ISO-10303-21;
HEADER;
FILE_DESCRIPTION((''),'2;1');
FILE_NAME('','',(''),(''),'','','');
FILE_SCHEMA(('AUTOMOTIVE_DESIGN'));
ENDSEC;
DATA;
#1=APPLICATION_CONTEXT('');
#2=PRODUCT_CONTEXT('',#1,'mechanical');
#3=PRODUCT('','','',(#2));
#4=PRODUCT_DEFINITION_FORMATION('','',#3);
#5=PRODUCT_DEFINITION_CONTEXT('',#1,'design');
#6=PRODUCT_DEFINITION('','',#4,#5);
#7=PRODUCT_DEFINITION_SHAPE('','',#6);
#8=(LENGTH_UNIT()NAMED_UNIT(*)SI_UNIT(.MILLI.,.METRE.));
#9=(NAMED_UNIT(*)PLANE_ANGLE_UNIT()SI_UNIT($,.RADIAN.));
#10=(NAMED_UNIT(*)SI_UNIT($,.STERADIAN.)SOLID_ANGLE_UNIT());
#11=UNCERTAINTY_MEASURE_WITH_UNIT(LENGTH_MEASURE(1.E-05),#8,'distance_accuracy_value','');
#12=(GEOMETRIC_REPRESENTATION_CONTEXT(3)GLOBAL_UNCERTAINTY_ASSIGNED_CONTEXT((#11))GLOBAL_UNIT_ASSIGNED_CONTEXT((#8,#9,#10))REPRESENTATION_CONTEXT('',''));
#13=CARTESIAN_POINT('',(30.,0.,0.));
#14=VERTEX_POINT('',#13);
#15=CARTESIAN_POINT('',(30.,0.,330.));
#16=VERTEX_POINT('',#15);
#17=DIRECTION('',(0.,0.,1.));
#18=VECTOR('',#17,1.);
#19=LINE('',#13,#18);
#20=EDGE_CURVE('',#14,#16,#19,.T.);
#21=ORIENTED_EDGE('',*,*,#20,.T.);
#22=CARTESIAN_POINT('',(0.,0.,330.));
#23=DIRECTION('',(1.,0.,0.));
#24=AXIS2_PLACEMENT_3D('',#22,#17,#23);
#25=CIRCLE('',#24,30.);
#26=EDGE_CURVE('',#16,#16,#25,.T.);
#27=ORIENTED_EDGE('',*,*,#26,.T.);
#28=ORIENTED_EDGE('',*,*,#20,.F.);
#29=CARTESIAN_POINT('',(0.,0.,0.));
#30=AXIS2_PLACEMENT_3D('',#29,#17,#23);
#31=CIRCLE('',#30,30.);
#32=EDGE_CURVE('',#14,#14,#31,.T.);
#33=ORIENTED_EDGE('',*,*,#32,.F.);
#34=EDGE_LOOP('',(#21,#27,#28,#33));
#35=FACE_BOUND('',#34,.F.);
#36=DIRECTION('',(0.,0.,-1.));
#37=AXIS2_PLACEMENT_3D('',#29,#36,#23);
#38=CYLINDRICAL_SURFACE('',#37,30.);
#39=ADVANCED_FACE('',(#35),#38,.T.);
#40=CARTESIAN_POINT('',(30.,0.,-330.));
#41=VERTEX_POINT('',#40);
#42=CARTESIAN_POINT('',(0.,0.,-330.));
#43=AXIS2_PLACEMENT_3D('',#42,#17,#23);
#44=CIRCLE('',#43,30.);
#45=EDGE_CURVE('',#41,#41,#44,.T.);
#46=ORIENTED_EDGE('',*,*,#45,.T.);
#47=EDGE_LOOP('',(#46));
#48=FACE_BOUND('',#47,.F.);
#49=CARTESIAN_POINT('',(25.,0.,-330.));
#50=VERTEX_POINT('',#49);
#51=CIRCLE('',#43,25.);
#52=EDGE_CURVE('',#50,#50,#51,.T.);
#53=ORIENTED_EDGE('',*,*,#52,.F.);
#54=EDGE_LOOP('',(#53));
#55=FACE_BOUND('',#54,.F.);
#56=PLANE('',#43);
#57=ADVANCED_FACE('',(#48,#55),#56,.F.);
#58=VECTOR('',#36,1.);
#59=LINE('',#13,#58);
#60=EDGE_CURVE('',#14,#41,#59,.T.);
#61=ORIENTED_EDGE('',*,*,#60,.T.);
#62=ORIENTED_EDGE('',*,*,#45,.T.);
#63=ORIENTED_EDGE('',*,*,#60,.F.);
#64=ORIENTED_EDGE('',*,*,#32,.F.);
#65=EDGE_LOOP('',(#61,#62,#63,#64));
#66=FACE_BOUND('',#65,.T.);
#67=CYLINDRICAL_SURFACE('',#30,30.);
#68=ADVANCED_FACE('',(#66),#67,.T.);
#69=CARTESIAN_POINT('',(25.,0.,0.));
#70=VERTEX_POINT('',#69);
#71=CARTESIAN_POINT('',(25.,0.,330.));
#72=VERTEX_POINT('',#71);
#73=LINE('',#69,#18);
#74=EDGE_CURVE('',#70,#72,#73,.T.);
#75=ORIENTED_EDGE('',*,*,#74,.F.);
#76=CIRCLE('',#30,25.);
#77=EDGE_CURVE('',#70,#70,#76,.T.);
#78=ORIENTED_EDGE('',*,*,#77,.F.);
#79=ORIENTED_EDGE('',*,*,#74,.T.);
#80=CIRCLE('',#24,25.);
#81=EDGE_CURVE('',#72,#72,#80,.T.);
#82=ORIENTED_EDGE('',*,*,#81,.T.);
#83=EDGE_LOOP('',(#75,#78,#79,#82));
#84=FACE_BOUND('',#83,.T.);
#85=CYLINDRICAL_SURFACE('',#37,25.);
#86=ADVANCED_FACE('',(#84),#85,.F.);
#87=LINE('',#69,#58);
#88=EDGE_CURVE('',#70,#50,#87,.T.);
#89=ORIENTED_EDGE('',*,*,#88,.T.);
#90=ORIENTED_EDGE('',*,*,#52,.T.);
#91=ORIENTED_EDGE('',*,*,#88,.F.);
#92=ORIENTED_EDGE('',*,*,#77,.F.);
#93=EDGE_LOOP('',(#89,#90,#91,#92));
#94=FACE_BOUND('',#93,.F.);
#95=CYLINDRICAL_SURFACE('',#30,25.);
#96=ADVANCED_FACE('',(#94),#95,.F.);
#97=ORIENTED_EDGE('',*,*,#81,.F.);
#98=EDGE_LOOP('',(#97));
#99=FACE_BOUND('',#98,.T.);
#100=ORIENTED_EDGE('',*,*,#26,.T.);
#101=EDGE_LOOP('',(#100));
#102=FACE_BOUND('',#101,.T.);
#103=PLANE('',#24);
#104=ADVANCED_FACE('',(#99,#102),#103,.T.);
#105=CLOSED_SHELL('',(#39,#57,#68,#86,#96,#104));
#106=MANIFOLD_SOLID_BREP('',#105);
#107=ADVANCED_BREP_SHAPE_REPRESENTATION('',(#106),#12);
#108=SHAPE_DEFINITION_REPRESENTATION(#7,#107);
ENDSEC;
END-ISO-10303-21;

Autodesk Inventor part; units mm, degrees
ref_plane "YZ Plane" through (0, 0, 0) normal (1, 0, 0) x (0, 1, 0)
ref_plane "XZ Plane" through (0, 0, 0) normal (0, 1, 0) x (-1, 0, 0)
ref_plane "XY Plane" through (0, 0, 0) normal (0, 0, 1) x (1, 0, 0)
sketch "Sketch1" plane through (0, 0, 0) normal (0, 0, 1) x (1, 0, 0)
  circle A0 centre (0, 0) radius 25
  circle A1 centre (0, 0) radius 30
  dimension "d0" = 50
  dimension "d1" = 5
extrude "Extrusion1" add sketch "Sketch1" along normal mid plane 660
properties part number "track z2252"
